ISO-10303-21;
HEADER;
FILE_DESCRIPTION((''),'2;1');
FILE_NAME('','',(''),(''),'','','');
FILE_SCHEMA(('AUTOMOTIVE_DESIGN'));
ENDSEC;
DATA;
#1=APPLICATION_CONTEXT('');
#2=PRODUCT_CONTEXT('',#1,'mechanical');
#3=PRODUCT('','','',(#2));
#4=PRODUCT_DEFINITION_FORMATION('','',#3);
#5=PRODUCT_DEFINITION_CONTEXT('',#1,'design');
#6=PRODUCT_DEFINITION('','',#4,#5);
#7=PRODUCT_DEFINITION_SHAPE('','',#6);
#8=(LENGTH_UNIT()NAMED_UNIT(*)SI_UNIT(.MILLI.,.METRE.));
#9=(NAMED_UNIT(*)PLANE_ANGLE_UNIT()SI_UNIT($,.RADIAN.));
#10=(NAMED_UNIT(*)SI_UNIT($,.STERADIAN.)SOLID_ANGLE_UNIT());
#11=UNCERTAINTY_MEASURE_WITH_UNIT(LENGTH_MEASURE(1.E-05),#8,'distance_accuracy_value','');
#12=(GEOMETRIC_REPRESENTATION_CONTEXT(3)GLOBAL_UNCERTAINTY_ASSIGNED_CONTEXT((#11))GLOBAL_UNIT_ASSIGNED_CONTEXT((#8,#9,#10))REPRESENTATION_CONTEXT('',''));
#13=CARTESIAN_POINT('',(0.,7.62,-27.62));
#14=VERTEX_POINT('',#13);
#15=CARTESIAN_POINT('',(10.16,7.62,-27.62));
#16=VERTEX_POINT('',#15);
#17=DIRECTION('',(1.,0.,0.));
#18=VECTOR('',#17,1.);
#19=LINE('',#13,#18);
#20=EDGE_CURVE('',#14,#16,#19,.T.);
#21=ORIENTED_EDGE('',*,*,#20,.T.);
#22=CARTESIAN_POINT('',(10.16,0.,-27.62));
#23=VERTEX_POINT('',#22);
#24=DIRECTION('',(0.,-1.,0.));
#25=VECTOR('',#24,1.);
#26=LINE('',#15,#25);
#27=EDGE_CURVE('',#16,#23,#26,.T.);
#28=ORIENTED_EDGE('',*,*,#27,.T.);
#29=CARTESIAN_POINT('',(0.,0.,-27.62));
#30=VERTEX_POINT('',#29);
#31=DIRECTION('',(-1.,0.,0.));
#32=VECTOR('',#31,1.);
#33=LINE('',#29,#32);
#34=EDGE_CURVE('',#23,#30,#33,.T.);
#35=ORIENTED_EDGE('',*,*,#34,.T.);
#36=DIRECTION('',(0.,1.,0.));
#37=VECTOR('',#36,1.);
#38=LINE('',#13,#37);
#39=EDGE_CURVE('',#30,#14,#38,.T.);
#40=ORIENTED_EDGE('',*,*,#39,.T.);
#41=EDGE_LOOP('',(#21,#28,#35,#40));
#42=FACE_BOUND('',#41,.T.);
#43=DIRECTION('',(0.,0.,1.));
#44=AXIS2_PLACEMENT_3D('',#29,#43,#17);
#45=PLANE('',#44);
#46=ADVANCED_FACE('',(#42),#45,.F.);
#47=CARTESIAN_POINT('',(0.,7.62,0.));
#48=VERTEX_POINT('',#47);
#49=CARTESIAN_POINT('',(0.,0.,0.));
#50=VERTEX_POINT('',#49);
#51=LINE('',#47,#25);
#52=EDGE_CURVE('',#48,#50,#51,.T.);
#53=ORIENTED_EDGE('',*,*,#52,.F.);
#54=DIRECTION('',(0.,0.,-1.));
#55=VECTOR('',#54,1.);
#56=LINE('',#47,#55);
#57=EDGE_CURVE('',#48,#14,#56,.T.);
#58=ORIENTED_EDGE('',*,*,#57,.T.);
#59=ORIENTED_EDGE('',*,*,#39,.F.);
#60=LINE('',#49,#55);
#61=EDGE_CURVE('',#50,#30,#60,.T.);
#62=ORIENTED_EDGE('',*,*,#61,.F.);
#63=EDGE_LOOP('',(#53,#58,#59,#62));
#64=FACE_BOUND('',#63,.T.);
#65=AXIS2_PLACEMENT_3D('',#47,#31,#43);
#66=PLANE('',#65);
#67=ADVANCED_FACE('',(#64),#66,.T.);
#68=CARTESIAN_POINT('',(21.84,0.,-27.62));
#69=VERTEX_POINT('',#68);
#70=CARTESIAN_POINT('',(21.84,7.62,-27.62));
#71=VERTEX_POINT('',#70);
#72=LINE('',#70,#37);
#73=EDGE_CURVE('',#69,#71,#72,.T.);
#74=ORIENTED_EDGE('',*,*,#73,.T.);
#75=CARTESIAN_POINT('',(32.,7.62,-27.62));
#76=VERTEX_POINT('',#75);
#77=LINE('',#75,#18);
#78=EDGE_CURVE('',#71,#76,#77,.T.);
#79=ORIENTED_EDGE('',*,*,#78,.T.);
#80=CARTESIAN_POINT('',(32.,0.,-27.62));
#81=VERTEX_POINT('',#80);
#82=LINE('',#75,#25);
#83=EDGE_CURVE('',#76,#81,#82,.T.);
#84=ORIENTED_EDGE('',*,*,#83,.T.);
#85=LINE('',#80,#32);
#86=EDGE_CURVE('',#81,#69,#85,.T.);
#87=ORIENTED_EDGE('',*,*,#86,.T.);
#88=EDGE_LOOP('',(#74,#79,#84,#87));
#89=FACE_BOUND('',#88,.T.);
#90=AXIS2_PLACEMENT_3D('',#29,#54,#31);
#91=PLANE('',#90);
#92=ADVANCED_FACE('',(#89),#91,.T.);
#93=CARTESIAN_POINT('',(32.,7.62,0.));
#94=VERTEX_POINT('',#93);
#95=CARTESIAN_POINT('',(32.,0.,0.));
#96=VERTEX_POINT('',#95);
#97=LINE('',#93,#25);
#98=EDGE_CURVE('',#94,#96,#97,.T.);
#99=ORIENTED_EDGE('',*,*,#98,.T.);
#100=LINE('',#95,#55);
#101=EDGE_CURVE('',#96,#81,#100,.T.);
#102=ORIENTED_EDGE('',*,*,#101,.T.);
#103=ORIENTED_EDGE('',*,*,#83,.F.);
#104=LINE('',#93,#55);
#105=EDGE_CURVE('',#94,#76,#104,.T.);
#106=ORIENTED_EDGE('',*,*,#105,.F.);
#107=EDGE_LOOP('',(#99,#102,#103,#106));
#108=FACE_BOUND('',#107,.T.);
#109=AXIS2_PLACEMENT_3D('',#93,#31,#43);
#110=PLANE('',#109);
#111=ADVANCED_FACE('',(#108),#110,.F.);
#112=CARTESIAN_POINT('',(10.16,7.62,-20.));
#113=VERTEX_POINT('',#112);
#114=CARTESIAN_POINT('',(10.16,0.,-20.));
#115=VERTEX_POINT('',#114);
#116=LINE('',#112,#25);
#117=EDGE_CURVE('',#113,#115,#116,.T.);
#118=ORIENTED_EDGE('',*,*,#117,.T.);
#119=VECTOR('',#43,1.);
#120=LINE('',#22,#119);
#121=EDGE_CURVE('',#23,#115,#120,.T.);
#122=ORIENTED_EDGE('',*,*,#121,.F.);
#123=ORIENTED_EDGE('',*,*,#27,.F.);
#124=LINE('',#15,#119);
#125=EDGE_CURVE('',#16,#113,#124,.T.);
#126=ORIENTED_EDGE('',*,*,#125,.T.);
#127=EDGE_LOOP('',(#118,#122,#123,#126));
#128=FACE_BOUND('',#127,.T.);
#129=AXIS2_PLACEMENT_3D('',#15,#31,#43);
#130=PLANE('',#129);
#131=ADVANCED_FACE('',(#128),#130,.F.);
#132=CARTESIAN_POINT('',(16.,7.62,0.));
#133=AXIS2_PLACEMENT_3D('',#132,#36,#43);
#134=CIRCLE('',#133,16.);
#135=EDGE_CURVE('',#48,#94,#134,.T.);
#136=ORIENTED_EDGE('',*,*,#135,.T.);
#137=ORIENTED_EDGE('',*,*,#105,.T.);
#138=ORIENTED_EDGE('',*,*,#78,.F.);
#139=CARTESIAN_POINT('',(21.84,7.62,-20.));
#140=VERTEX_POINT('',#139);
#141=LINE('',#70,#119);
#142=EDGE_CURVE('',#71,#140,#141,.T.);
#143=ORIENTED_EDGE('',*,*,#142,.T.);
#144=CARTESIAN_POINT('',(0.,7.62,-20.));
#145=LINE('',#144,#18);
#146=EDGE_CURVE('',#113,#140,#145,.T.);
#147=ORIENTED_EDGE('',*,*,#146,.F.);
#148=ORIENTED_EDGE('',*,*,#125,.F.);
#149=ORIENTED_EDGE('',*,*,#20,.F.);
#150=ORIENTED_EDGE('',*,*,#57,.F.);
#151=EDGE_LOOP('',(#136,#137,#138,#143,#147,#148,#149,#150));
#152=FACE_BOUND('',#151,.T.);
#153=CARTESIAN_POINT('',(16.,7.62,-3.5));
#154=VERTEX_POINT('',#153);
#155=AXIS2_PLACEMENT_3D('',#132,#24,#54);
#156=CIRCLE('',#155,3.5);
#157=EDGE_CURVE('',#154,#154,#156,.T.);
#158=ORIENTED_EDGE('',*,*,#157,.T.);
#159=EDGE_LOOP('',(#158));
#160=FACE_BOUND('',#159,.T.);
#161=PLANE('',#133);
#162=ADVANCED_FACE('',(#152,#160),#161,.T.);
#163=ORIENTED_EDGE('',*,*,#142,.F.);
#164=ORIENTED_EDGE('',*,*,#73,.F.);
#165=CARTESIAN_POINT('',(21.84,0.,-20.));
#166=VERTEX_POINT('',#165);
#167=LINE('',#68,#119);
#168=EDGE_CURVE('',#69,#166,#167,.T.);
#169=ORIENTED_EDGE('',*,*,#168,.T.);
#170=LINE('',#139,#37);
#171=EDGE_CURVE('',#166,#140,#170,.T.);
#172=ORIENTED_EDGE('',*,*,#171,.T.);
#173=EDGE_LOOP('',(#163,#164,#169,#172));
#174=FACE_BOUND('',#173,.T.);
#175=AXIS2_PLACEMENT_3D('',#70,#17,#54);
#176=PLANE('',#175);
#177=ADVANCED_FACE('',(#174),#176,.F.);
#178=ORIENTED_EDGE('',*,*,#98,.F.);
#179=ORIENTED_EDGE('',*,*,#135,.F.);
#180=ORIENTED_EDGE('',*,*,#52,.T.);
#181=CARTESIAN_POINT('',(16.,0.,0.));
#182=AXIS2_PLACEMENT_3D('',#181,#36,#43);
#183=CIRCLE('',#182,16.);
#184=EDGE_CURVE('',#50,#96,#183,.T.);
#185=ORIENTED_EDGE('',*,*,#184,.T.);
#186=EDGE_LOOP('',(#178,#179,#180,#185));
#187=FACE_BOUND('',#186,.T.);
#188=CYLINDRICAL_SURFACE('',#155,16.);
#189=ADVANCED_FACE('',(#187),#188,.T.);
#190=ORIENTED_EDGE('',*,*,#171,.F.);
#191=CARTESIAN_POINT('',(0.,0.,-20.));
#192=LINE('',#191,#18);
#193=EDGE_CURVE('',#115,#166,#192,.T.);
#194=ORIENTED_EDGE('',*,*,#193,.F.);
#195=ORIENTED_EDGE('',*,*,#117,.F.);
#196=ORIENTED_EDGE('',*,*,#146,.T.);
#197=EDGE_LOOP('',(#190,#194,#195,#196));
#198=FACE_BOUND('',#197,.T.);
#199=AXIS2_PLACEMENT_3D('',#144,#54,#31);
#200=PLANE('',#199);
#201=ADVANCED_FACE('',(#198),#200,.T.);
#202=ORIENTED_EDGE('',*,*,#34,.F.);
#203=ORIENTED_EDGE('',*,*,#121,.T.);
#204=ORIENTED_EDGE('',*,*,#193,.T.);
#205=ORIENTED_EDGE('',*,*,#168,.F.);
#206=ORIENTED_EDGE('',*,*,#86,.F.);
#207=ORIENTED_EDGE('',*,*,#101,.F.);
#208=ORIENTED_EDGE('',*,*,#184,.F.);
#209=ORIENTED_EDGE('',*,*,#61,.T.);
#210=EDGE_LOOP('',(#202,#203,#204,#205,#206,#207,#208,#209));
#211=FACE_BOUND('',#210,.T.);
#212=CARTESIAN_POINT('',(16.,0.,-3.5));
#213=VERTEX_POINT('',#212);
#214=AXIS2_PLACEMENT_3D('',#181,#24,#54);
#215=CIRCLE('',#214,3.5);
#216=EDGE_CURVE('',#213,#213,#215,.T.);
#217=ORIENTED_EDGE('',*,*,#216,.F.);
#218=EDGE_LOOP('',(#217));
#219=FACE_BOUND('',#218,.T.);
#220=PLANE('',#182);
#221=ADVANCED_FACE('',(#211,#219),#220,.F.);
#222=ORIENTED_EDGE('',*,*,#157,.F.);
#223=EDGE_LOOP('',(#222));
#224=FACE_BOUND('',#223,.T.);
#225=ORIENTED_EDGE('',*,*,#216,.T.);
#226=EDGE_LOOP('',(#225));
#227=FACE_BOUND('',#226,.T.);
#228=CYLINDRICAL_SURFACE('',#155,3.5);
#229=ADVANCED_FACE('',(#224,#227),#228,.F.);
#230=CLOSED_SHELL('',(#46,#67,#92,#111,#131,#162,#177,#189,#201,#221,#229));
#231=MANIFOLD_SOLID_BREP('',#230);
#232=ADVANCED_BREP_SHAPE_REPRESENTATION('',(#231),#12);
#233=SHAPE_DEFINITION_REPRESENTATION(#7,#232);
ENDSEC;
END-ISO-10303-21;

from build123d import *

# Parameters (mm, degrees)
BOSS_EXTRUDE1_DEPTH = 7.62
SKETCH2_R           = 3.5
CUT_EXTRUDE1_DEPTH  = 8.62
SKETCH3_W           = 10.16
SKETCH3_H           = 7.62
BOSS_EXTRUDE2_DEPTH = 7.62


with BuildPart() as part:
    # Sketch1 → Boss-Extrude1 (new body)
    with BuildSketch(Plane(origin=(0, 0, 0), x_dir=(1, 0, 0), z_dir=(0, 1, 0))):
        with BuildLine():
            Line((0, 0), (0, 20))
            Line((0, 20), (32, 20))
            Line((32, 20), (32, 0))
            ThreePointArc((32, 0), (16, -16), (0, 0))
        make_face()
    extrude(amount=BOSS_EXTRUDE1_DEPTH)

    # Sketch2 → Cut-Extrude1 (cut, through all)
    with BuildSketch(Plane.XZ):
        with Locations((16, 0)):
            Circle(SKETCH2_R)
    extrude(amount=-CUT_EXTRUDE1_DEPTH, mode=Mode.SUBTRACT)

    # Sketch3 → Boss-Extrude2 (add)
    with BuildSketch(Plane(origin=(0, 0, -20), x_dir=(-1, 0, 0), z_dir=(0, 0, -1))):
        with Locations((-26.92, 3.81)):
            Rectangle(SKETCH3_W, SKETCH3_H)
        with Locations((-5.08, 3.81)):
            Rectangle(SKETCH3_W, SKETCH3_H)
    extrude(amount=BOSS_EXTRUDE2_DEPTH)


solid = part.part
